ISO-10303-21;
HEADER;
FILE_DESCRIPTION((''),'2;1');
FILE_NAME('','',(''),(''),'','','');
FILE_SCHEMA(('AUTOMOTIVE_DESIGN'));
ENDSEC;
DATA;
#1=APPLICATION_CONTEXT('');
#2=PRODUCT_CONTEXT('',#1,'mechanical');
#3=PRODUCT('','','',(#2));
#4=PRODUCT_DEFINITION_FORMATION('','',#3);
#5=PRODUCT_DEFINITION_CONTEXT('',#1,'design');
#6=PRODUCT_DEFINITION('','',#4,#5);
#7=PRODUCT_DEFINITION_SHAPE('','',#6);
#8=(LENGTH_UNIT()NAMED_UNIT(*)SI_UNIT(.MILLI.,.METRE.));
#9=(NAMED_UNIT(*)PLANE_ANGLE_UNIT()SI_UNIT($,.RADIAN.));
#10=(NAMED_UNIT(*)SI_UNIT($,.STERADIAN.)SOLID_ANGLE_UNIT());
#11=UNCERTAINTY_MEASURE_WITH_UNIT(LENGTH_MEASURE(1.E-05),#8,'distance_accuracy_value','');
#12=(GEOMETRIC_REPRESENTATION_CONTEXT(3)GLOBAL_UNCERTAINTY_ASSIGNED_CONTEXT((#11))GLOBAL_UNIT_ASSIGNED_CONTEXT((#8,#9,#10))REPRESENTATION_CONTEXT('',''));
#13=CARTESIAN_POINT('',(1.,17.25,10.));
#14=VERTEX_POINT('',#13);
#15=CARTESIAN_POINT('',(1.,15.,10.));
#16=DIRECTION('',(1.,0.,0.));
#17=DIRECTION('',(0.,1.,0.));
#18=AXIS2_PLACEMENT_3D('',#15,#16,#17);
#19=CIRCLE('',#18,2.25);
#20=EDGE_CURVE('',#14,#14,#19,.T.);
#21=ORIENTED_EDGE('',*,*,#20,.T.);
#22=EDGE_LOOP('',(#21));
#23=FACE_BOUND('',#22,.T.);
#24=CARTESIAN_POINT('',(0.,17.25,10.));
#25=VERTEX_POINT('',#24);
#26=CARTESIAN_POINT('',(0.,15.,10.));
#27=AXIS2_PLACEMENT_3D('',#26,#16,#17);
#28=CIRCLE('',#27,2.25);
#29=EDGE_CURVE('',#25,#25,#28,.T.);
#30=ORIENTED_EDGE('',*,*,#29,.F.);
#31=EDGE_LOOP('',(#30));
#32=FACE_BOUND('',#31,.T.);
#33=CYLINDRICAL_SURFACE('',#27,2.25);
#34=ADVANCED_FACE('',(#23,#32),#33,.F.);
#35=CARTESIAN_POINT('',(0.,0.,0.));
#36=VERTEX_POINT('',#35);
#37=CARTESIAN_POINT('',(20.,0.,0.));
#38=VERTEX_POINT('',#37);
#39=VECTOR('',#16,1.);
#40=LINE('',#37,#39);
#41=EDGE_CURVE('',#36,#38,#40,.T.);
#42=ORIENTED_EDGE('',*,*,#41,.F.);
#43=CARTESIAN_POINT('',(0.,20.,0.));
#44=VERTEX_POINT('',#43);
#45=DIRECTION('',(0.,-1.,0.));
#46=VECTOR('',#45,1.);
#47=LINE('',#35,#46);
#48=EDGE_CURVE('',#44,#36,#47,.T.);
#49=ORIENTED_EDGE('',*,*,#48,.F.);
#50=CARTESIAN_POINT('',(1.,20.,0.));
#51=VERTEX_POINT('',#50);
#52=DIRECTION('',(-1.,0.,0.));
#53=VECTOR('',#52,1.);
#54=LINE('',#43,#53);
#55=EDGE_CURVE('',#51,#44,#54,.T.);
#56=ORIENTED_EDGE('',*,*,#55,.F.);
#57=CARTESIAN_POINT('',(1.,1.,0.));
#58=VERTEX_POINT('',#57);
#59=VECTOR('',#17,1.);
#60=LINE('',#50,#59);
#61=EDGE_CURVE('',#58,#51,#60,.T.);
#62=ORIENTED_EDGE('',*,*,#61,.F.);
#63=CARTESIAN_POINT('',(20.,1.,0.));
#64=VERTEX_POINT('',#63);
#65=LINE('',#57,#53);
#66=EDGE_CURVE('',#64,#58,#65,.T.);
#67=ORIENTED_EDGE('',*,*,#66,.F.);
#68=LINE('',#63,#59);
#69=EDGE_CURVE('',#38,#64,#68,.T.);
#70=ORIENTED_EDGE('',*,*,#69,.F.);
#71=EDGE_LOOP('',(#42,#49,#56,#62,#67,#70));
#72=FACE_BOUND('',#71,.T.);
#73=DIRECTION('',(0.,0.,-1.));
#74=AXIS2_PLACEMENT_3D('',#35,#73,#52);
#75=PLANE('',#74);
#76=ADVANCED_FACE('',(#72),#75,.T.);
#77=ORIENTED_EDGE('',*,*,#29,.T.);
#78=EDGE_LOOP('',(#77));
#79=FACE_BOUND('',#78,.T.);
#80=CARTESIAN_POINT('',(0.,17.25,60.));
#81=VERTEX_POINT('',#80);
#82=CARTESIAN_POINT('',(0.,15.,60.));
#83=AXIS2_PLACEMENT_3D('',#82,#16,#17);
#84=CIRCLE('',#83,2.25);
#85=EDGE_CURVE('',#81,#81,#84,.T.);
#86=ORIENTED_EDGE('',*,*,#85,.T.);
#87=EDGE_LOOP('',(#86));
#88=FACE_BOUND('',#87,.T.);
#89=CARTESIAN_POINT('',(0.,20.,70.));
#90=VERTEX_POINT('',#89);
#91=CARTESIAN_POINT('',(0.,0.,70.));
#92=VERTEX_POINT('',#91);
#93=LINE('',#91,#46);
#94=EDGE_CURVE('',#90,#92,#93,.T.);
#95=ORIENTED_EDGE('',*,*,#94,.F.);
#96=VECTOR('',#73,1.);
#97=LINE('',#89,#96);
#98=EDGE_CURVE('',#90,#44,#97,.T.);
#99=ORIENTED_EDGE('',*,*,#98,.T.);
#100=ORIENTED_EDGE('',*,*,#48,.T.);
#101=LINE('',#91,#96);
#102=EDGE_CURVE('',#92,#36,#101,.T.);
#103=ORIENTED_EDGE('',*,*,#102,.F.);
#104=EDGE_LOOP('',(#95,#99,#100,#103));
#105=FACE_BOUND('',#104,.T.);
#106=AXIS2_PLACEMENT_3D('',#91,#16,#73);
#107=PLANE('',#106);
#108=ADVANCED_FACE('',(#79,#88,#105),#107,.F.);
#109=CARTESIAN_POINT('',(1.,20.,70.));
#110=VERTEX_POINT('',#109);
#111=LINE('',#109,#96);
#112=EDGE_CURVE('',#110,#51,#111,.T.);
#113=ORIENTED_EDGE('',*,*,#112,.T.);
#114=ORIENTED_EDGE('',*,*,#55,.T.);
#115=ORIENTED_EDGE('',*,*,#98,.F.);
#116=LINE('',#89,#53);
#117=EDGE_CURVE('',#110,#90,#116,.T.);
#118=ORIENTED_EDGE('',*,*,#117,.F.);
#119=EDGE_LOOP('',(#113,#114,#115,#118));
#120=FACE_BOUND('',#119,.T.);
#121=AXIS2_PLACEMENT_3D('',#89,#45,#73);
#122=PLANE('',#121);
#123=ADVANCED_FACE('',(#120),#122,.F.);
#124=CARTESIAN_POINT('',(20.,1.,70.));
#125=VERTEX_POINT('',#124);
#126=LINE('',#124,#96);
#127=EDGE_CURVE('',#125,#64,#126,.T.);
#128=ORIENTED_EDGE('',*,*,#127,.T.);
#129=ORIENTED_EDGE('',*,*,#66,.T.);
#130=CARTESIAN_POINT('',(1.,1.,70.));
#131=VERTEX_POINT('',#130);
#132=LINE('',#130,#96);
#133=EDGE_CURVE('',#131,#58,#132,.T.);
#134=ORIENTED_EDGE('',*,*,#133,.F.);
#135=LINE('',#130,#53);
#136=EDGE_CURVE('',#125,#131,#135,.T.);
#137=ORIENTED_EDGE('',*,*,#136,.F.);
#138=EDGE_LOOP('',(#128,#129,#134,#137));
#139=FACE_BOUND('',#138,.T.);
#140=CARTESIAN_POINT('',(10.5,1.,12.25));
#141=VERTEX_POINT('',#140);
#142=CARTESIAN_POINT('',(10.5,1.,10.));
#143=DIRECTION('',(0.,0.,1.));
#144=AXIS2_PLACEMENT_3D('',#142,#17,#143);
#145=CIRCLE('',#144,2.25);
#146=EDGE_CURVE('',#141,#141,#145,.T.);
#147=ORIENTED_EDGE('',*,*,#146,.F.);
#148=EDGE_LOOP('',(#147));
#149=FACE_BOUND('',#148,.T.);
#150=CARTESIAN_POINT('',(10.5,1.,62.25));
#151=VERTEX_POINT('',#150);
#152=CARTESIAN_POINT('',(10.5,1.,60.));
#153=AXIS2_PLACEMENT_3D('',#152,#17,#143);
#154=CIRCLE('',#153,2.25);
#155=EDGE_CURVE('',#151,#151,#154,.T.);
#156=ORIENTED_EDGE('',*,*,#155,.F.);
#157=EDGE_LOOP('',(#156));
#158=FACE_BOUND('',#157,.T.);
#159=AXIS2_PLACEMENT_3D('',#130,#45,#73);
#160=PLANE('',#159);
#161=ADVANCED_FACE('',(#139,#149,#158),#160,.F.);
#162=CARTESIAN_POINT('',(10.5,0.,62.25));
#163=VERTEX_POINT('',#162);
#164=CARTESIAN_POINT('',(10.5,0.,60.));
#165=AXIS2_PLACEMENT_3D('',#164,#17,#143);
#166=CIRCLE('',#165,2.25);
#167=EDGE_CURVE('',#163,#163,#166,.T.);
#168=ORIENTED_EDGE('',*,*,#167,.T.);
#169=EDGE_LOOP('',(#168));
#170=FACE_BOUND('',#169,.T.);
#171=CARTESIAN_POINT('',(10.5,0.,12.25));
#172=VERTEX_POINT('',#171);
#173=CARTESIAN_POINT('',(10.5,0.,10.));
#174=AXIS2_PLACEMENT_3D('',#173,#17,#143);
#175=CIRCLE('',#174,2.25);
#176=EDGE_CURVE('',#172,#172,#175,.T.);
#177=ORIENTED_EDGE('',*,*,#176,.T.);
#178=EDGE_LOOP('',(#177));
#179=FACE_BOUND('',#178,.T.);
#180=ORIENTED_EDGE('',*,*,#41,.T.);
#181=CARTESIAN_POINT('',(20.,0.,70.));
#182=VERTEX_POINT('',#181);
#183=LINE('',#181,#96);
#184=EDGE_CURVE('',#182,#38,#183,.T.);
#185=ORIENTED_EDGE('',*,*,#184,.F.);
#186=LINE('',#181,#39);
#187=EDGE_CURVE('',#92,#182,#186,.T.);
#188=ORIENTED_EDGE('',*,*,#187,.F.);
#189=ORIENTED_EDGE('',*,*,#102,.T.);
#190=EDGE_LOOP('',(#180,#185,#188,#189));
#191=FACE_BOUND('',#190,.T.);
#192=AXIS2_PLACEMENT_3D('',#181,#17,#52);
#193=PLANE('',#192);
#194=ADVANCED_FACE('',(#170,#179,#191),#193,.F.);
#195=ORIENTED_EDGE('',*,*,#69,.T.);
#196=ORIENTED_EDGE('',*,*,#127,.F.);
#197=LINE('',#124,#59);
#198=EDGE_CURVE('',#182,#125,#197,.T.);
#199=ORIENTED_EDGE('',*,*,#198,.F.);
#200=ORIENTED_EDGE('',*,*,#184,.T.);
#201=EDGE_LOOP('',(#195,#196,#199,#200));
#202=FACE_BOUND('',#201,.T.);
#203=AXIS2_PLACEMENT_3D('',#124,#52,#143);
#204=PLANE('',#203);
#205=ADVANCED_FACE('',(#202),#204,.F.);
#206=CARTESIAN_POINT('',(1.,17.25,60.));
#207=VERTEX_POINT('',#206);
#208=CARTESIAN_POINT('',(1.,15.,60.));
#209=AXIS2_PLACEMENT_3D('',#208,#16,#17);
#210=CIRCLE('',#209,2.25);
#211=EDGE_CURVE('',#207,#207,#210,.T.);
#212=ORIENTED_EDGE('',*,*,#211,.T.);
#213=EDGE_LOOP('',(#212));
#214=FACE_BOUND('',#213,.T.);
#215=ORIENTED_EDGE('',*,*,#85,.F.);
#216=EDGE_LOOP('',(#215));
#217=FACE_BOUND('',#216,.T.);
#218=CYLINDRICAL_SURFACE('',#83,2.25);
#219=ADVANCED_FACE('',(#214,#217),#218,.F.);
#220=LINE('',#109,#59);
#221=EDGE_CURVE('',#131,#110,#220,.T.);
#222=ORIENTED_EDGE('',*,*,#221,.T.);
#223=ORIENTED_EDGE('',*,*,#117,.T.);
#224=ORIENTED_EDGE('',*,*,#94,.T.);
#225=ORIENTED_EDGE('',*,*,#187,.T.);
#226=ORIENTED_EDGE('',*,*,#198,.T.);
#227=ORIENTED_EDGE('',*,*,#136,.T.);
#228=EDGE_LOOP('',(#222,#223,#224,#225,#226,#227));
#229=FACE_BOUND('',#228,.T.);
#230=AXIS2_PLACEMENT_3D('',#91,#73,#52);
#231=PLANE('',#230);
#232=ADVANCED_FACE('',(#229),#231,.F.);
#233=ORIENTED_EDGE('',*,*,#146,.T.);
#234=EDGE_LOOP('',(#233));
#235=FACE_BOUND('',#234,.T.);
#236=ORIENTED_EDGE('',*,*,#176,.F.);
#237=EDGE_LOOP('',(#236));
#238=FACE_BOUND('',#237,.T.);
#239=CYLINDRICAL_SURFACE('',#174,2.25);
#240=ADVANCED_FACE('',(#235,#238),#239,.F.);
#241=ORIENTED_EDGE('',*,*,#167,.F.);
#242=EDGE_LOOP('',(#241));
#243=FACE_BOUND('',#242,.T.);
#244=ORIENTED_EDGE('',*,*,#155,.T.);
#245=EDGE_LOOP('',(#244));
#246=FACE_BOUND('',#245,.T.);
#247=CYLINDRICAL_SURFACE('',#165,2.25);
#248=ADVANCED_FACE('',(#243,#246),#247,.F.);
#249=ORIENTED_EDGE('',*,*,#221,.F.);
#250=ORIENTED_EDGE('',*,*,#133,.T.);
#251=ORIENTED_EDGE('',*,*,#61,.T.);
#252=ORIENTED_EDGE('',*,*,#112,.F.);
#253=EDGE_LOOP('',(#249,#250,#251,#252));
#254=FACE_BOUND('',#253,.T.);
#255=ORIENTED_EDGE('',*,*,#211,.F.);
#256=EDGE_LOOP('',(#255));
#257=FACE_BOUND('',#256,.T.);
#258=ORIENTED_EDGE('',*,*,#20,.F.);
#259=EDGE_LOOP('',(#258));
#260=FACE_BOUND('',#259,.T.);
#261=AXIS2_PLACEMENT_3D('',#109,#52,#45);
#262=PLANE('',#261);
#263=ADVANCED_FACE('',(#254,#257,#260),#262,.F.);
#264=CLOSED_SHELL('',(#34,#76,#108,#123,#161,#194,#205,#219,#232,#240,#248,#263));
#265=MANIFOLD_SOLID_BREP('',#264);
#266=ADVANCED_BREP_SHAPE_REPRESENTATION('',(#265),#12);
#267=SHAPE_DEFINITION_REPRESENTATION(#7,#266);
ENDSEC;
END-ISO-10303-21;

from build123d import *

# Parameters (mm, degrees)
EXTRUDE_1_DEPTH     = 70
SKETCH_2_R          = 2.25
CUT_EXTRUDE_1_DEPTH = 2
SKETCH_3_R          = 2.25
CUT_EXTRUDE_2_DEPTH = 2


with BuildPart() as part:
    # Эскиз1 → Бобышка-Вытянуть1 (new body)
    with BuildSketch(Plane.XY):
        Polygon((0, 0), (0, 20), (1, 20), (1, 1), (20, 1), (20, 0), align=None)
    extrude(amount=EXTRUDE_1_DEPTH)

    # Эскиз2 → Вырез-Вытянуть1 (cut, through all)
    with BuildSketch(Plane(origin=(0, 1, 0), x_dir=(1, 0, 0), z_dir=(0, 1, 0))):
        with Locations((10.5, -10)):
            Circle(SKETCH_2_R)
        with Locations((10.5, -60)):
            Circle(SKETCH_2_R)
    extrude(amount=-CUT_EXTRUDE_1_DEPTH, mode=Mode.SUBTRACT)

    # Эскиз3 → Вырез-Вытянуть2 (cut, through all)
    with BuildSketch(Plane(origin=(1, 0, 0), x_dir=(0, 0, -1), z_dir=(1, 0, 0))):
        with Locations((-10, 15)):
            Circle(SKETCH_3_R)
        with Locations((-60, 15)):
            Circle(SKETCH_3_R)
    extrude(amount=-CUT_EXTRUDE_2_DEPTH, mode=Mode.SUBTRACT)


solid = part.part
